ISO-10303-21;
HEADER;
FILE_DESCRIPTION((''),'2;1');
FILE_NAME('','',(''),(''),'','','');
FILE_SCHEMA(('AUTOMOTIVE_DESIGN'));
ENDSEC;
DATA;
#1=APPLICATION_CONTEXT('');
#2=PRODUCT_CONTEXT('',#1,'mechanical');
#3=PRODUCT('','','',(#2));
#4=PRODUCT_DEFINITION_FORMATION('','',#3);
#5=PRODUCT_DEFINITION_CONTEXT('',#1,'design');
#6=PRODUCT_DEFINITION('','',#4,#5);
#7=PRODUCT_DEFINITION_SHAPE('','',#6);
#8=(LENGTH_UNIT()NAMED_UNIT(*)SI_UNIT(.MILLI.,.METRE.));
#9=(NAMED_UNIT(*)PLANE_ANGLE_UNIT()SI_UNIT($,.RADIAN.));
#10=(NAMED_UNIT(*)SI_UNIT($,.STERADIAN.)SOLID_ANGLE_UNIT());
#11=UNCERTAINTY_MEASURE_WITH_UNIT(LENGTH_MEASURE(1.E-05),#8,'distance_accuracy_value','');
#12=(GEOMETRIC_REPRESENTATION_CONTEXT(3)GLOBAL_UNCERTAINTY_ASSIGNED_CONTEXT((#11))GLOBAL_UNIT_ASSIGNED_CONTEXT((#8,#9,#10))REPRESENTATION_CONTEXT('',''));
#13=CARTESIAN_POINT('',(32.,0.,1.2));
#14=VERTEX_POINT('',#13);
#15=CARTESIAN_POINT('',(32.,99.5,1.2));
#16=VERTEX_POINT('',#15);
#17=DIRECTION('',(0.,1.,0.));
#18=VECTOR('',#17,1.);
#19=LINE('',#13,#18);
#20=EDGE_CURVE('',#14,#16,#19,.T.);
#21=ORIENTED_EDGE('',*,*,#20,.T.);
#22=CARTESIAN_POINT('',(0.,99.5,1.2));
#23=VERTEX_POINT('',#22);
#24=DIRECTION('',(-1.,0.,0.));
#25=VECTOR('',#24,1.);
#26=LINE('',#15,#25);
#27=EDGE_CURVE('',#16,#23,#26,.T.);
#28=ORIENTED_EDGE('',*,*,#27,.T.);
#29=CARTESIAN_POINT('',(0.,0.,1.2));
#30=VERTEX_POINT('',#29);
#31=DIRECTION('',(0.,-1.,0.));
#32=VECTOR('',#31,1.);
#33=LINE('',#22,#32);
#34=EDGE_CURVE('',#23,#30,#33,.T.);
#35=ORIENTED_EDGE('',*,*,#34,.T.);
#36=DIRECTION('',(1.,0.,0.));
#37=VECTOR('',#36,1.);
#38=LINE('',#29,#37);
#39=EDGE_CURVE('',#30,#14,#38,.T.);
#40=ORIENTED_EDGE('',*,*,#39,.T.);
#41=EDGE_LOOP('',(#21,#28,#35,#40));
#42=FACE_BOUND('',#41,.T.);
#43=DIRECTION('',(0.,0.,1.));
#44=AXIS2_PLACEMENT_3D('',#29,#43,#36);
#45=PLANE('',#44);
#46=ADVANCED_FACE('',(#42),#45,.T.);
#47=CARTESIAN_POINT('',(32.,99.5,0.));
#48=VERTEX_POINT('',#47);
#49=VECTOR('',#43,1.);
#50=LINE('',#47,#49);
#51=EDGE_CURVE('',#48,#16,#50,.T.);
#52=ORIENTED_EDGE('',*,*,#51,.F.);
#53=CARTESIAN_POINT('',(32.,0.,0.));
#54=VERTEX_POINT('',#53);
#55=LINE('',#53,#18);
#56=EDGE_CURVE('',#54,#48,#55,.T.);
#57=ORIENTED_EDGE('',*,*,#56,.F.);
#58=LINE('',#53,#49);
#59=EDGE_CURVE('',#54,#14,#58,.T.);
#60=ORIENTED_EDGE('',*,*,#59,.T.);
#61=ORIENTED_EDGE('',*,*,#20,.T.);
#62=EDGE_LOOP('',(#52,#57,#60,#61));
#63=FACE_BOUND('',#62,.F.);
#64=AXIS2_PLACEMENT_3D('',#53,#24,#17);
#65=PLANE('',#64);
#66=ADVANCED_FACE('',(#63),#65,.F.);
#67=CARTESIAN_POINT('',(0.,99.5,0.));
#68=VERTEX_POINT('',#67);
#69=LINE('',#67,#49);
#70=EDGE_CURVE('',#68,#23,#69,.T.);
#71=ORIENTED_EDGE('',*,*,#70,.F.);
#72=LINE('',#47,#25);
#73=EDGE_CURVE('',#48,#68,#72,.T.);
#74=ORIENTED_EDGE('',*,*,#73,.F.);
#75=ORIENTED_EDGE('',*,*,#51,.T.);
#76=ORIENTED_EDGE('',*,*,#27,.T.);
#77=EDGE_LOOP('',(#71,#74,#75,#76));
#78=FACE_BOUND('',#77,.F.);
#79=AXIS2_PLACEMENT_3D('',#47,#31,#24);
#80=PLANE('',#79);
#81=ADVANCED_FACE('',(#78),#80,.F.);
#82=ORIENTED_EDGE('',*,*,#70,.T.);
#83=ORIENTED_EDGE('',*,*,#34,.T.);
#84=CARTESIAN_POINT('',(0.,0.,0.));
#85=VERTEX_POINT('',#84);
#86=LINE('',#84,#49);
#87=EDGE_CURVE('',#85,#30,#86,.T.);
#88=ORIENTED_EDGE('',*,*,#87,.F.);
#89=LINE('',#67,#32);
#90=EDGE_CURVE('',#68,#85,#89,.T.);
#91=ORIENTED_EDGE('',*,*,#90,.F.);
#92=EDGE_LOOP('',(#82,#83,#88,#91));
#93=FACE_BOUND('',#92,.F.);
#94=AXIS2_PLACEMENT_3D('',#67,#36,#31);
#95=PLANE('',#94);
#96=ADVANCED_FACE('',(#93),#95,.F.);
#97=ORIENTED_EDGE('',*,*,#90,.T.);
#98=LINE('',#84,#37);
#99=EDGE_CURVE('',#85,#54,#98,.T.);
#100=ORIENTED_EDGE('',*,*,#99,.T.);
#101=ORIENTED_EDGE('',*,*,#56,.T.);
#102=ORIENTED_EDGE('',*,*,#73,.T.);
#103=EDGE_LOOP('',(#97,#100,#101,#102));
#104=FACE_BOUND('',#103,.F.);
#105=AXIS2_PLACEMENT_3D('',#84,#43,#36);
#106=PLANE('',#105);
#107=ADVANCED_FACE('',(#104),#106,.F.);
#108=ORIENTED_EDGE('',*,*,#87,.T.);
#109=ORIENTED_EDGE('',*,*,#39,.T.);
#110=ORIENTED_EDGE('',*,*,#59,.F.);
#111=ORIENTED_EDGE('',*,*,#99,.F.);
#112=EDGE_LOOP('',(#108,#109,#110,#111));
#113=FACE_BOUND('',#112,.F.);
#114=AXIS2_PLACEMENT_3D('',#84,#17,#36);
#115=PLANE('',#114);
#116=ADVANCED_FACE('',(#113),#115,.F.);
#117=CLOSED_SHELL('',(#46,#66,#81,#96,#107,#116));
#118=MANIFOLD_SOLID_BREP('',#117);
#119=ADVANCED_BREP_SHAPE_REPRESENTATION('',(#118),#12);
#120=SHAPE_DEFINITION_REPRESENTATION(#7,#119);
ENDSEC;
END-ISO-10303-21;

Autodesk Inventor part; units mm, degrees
ref_plane "YZ Plane" through (0, 0, 0) normal (1, 0, 0) x (0, 1, 0)
ref_plane "XZ Plane" through (0, 0, 0) normal (0, 1, 0) x (-1, 0, 0)
ref_plane "XY Plane" through (0, 0, 0) normal (0, 0, 1) x (1, 0, 0)
sketch "Skizze1" plane through (0, 0, 0) normal (0, 0, 1) x (1, 0, 0)
  line L0 (0, 0) -> (32, 0)
  line L1 (32, 0) -> (32, 99.5)
  line L2 (32, 99.5) -> (0, 99.5)
  line L3 (0, 99.5) -> (0, 0)
  dimension "d0" = 32
  dimension "d1" = 99.5
extrude "Extrusion1" add sketch "Skizze1" along normal blind 1.2
properties part number "Bett_deckplatte" material "Holz (Walnuss)"
